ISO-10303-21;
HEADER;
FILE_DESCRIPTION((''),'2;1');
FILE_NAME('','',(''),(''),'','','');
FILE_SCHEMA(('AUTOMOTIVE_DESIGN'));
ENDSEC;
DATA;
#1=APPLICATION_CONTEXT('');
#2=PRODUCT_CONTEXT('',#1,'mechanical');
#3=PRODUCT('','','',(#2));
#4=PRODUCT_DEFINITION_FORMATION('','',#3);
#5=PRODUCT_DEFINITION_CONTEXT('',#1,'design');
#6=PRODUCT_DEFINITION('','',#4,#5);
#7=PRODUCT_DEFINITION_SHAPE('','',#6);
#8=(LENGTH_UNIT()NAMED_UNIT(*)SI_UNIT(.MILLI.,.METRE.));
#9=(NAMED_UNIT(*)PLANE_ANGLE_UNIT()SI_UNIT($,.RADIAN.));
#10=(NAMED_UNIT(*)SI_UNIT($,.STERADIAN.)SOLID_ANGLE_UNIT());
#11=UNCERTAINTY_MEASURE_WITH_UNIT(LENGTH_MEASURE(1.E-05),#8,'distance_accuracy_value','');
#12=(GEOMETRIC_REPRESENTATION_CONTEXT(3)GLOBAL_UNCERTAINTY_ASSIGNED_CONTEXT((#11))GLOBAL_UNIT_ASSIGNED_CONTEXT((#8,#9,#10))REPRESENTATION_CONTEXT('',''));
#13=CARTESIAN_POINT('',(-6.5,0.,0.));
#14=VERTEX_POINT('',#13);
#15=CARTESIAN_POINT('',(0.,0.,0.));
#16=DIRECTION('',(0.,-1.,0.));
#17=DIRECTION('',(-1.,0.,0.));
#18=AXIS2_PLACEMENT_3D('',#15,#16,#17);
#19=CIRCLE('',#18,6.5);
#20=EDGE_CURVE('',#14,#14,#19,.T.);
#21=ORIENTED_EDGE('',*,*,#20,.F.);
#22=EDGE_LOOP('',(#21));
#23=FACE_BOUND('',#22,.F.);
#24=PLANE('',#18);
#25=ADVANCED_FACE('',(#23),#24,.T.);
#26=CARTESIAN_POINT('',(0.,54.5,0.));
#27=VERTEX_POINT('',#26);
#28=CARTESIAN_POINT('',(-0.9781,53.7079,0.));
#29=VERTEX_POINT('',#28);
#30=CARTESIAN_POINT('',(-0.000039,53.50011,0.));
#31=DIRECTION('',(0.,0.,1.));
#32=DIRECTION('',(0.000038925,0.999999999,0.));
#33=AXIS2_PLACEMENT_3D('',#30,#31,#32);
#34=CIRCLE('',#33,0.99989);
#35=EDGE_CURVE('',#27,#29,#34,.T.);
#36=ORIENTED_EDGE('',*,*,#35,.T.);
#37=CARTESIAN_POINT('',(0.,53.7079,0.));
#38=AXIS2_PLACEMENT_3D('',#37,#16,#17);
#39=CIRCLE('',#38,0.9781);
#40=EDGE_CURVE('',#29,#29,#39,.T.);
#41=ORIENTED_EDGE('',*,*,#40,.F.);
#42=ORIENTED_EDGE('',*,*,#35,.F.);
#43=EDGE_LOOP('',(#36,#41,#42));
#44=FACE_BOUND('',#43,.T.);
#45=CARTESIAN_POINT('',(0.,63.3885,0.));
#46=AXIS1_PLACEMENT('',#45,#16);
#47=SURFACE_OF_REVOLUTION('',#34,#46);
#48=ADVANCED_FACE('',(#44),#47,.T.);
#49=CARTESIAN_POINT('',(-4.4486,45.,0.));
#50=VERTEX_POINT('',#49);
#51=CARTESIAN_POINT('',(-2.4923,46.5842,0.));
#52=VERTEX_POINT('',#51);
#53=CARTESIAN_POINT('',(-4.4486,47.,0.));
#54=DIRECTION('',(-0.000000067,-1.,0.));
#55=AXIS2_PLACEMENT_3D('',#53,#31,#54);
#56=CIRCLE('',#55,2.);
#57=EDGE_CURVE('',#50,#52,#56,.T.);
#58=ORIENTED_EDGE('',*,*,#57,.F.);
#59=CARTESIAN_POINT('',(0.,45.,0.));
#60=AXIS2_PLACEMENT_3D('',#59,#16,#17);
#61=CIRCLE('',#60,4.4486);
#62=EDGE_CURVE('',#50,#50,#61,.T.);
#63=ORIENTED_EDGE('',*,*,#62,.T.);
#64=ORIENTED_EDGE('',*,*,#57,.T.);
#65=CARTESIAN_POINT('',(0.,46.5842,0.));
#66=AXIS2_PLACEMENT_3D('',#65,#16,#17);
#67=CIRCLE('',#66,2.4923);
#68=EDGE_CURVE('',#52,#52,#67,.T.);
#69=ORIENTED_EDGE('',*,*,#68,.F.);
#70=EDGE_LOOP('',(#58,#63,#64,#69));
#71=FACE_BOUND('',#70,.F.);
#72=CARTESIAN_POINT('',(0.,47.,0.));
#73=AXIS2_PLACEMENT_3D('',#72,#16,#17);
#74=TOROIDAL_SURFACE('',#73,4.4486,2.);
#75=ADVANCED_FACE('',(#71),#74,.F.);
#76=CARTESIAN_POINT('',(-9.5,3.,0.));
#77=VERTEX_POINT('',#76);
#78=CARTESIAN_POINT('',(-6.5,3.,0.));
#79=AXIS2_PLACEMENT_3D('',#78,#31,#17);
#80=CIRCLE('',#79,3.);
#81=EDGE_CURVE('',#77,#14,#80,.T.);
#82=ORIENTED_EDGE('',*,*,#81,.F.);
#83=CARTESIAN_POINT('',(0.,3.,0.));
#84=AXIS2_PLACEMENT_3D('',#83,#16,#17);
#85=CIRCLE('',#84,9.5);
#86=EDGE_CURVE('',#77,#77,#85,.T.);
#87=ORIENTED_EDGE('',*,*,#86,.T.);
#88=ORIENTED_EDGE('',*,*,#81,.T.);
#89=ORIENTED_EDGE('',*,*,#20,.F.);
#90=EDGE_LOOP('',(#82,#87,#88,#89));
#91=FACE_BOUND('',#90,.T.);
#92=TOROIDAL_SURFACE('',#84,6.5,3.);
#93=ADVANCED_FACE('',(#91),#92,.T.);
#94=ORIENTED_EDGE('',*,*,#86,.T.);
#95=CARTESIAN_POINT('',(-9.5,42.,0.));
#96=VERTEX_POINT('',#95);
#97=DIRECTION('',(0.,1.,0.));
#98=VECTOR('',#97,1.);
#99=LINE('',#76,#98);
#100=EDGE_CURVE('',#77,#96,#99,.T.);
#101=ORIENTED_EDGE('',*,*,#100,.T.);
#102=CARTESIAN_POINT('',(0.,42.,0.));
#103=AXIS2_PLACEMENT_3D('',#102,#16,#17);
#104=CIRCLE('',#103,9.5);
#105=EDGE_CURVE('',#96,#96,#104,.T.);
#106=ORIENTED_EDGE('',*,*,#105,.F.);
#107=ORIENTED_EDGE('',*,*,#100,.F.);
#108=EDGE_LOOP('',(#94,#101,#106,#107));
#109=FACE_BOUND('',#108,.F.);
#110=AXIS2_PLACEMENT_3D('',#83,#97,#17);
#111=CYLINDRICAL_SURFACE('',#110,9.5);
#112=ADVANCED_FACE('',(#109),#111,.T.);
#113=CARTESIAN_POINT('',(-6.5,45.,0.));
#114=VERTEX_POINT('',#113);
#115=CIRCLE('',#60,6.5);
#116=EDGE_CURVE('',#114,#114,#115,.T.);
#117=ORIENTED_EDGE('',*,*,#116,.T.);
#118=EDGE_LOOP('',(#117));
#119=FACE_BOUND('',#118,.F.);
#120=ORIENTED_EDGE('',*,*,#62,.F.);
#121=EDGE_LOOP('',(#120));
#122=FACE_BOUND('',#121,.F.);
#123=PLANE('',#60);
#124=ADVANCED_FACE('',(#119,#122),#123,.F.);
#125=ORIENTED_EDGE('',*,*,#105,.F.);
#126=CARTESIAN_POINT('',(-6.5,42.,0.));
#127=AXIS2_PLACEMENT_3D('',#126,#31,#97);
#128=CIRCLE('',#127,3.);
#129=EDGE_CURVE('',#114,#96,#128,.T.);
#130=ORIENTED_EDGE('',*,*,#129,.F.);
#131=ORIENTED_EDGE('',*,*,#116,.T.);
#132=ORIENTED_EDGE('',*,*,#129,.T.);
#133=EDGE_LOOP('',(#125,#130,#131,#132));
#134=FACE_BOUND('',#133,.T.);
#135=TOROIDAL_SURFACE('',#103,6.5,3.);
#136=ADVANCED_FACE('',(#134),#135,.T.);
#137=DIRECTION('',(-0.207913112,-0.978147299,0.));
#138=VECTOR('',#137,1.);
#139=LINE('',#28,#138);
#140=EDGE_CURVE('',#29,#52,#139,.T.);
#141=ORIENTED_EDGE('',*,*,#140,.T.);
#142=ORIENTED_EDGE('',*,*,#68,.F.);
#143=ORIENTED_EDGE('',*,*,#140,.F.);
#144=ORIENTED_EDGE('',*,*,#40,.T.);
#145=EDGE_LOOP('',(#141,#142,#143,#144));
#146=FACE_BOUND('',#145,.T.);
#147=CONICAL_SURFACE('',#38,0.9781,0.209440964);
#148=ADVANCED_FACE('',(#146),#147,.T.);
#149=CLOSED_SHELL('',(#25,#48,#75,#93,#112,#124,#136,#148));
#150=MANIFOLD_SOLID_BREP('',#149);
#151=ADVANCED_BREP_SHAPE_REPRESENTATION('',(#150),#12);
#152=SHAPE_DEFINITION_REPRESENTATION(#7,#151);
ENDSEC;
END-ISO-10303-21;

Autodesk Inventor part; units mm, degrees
ref_plane "YZ Plane" through (0, 0, 0) normal (1, 0, 0) x (0, 1, 0)
ref_plane "XZ Plane" through (0, 0, 0) normal (0, 1, 0) x (-1, 0, 0)
ref_plane "XY Plane" through (0, 0, 0) normal (0, 0, 1) x (1, 0, 0)
sketch "Sketch1" plane through (0, 0, 0) normal (0, 0, 1) x (1, 0, 0)
  line L0 (0, 0) -> (-6.5, 0)
  line L1 (-9.5, 3) -> (-9.5, 42)
  arc A0 (0, 54.5) -> (-0.9781, 53.7079) centre (0, 53.5) ccw
  line L2 (-0.9781, 53.7079) -> (-2.4923, 46.5842)
  line L3 (-6.5, 45) -> (-4.4486, 45)
  arc A1 (-4.4486, 45) -> (-2.4923, 46.5842) centre (-4.4486, 47) ccw
  arc A2 (-6.5, 45) -> (-9.5, 42) centre (-6.5, 42) ccw
  arc A3 (-9.5, 3) -> (-6.5, 0) centre (-6.5, 3) ccw
  line L4 (0, 63.3885) -> (0, -6.2417)
  point P0 (0, 0)
  dimension "d0" = 2
  dimension "d1" = 3
  dimension "d2" = 45
  dimension "d3" = 1
  dimension "d5" = 53.5
  dimension "d7" = 12
  dimension "d8" = 19
revolve "Revolution1" add sketch "Sketch1" angle 360 about axis through (0, 63.3885, 0) along (0, -1, 0)
properties part number "IN-14"
